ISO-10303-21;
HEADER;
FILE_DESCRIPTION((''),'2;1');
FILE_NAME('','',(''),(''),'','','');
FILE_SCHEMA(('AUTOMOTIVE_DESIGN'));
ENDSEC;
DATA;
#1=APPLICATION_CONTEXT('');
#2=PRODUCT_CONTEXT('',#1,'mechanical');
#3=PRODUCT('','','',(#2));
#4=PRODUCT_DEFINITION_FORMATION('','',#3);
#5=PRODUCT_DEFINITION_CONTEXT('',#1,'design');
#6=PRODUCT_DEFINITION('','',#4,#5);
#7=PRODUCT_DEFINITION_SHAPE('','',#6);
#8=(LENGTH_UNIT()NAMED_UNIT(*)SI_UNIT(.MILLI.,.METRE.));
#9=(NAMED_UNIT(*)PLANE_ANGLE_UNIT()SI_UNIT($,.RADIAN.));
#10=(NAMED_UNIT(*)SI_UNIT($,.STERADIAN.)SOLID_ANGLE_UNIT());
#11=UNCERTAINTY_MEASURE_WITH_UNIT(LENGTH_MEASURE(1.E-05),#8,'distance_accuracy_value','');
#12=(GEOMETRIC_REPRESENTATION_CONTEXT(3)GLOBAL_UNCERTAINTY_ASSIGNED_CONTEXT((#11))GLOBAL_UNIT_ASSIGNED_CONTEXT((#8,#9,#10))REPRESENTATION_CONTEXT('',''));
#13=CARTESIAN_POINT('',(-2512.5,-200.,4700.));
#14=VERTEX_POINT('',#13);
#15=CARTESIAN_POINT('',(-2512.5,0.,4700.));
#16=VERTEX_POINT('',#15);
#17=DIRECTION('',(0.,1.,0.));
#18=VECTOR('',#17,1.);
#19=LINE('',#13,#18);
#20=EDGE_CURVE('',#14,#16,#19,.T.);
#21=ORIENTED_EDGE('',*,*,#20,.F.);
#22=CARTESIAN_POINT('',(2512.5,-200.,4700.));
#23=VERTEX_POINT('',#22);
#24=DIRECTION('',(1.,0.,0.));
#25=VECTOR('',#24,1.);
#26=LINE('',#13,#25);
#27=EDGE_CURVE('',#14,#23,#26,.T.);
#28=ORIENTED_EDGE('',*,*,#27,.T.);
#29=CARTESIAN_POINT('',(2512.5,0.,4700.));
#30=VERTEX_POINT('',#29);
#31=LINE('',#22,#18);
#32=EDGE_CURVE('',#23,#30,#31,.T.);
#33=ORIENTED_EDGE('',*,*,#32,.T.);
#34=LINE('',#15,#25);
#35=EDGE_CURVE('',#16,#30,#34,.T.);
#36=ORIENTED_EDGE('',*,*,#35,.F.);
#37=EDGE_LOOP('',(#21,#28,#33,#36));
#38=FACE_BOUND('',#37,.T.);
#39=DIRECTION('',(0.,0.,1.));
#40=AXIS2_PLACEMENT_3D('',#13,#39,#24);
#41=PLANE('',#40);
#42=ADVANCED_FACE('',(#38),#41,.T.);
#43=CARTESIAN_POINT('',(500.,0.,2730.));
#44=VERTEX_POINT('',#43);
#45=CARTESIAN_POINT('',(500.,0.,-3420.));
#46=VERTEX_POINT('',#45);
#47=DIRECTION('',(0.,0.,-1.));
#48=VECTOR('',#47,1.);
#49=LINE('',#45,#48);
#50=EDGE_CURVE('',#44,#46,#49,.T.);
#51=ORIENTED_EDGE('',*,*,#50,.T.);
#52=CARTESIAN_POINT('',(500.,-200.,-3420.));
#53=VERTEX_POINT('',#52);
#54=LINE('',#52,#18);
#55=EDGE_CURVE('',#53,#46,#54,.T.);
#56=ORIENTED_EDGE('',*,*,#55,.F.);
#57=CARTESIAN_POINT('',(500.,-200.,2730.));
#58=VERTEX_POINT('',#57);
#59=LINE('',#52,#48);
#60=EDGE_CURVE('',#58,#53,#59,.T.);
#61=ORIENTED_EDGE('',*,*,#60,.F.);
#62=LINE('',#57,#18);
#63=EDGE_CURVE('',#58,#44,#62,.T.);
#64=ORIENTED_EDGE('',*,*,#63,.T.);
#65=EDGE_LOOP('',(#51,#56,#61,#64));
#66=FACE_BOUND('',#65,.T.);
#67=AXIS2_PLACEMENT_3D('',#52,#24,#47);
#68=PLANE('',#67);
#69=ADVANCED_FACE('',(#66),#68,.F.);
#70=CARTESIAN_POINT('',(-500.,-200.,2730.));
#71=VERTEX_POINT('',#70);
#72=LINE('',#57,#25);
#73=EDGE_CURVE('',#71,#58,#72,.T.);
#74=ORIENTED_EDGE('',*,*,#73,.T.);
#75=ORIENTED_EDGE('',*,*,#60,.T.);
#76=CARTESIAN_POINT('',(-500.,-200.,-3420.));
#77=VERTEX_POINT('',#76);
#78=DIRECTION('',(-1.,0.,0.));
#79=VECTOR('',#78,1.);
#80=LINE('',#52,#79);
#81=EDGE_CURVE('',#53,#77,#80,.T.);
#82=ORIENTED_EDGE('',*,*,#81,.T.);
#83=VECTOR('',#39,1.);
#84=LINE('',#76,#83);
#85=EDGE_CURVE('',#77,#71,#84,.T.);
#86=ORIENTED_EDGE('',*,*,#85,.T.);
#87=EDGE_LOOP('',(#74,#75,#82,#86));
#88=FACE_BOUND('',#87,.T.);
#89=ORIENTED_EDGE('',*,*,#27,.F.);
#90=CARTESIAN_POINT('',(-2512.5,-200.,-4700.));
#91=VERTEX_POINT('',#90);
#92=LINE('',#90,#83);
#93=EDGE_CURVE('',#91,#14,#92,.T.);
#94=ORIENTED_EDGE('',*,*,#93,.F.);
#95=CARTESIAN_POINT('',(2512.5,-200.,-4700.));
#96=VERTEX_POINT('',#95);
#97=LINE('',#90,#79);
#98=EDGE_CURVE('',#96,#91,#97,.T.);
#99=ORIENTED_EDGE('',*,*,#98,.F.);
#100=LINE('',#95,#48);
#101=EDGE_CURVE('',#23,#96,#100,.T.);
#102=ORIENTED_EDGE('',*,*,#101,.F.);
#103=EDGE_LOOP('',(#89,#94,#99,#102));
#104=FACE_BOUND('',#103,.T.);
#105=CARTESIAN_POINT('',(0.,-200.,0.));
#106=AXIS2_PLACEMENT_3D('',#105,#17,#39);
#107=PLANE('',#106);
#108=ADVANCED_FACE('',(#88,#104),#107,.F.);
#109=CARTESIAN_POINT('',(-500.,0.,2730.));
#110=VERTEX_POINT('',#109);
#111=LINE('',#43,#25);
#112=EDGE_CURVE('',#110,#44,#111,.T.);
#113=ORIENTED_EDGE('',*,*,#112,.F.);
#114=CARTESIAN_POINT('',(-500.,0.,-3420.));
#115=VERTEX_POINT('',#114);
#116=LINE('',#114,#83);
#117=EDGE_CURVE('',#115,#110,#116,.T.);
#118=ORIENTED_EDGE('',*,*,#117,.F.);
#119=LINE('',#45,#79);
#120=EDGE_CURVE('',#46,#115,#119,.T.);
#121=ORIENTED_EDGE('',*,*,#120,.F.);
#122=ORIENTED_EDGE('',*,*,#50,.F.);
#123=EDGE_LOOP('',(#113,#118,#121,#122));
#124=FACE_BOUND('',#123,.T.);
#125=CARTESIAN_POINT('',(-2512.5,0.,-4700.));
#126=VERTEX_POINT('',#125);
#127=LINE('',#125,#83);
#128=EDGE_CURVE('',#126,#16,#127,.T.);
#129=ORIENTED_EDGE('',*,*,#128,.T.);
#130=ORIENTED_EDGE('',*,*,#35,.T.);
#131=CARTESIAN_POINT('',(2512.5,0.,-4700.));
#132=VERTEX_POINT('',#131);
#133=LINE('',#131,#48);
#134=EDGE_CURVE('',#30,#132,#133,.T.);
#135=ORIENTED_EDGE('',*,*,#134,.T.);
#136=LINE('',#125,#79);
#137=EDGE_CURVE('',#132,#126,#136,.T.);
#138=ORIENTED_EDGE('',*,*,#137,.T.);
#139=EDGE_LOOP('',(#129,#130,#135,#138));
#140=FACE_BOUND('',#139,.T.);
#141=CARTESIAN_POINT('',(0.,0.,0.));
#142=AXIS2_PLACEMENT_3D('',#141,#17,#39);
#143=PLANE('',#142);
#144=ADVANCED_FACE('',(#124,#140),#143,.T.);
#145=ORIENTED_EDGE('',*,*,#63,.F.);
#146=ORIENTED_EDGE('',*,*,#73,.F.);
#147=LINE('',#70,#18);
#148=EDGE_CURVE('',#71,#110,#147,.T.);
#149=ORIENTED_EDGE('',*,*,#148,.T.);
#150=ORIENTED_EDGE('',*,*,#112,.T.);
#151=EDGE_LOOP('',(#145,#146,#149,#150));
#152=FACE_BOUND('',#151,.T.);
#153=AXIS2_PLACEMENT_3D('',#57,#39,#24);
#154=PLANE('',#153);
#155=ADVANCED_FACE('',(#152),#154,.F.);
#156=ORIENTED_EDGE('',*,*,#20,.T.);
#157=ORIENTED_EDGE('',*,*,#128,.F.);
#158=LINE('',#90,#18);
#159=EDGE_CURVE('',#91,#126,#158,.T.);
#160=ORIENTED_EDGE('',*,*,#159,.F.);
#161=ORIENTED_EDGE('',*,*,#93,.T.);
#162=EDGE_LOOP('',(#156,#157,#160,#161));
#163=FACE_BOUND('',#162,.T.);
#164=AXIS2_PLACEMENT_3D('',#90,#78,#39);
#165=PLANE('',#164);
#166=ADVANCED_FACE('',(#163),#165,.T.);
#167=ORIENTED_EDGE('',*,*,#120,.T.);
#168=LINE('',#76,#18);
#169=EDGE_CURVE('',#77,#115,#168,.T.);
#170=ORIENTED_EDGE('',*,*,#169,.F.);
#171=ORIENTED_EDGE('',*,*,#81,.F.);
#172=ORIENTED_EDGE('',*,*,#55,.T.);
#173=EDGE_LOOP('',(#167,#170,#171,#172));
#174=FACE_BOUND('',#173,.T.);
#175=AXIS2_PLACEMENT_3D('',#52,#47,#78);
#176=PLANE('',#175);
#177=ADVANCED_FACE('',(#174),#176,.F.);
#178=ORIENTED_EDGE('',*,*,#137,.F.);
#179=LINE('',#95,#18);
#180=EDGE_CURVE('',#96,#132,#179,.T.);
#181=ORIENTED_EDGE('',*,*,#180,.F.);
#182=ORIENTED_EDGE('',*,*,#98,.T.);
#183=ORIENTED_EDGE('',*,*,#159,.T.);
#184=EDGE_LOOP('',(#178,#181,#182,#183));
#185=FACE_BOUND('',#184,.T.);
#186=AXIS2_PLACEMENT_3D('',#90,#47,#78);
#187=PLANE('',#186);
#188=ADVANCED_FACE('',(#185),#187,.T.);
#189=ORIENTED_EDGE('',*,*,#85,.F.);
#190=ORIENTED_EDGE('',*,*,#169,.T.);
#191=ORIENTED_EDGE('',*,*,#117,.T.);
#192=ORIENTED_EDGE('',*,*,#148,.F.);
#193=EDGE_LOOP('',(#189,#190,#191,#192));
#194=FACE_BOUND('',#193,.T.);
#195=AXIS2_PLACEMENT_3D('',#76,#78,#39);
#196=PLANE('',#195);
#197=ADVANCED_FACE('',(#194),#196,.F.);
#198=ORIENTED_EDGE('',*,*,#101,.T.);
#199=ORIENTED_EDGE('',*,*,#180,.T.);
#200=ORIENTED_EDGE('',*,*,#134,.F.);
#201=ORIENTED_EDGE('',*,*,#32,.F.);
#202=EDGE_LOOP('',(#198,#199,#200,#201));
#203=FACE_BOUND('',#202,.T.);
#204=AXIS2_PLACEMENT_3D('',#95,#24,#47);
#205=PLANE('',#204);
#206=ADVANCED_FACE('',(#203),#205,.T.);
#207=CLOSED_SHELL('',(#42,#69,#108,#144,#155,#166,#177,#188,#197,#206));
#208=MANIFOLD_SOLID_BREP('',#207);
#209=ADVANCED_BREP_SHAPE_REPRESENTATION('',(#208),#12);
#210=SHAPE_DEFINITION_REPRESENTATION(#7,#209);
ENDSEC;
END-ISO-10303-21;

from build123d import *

# Parameters (mm, degrees)
SKETCH_1_W          = 5025
SKETCH_1_H          = 9400
EXTRUDE_1_DEPTH     = 200
SKETCH_2_W          = 1000
SKETCH_2_H          = 6150
CUT_EXTRUDE_1_DEPTH = 5334.165687469


with BuildPart() as part:
    # Эскиз1 → Бобышка-Вытянуть1 (new body)
    with BuildSketch(Plane(origin=(0, 0, 0), x_dir=(1, 0, 0), z_dir=(0, 1, 0))):
        Rectangle(SKETCH_1_W, SKETCH_1_H)
    extrude(amount=-EXTRUDE_1_DEPTH)

    # Эскиз2 → Вырез-Вытянуть1 (cut, through all)
    with BuildSketch(Plane(origin=(0, 0, 0), x_dir=(1, 0, 0), z_dir=(0, 1, 0))):
        with Locations((0, 345)):
            Rectangle(SKETCH_2_W, SKETCH_2_H)
    extrude(amount=-CUT_EXTRUDE_1_DEPTH, mode=Mode.SUBTRACT)


solid = part.part
